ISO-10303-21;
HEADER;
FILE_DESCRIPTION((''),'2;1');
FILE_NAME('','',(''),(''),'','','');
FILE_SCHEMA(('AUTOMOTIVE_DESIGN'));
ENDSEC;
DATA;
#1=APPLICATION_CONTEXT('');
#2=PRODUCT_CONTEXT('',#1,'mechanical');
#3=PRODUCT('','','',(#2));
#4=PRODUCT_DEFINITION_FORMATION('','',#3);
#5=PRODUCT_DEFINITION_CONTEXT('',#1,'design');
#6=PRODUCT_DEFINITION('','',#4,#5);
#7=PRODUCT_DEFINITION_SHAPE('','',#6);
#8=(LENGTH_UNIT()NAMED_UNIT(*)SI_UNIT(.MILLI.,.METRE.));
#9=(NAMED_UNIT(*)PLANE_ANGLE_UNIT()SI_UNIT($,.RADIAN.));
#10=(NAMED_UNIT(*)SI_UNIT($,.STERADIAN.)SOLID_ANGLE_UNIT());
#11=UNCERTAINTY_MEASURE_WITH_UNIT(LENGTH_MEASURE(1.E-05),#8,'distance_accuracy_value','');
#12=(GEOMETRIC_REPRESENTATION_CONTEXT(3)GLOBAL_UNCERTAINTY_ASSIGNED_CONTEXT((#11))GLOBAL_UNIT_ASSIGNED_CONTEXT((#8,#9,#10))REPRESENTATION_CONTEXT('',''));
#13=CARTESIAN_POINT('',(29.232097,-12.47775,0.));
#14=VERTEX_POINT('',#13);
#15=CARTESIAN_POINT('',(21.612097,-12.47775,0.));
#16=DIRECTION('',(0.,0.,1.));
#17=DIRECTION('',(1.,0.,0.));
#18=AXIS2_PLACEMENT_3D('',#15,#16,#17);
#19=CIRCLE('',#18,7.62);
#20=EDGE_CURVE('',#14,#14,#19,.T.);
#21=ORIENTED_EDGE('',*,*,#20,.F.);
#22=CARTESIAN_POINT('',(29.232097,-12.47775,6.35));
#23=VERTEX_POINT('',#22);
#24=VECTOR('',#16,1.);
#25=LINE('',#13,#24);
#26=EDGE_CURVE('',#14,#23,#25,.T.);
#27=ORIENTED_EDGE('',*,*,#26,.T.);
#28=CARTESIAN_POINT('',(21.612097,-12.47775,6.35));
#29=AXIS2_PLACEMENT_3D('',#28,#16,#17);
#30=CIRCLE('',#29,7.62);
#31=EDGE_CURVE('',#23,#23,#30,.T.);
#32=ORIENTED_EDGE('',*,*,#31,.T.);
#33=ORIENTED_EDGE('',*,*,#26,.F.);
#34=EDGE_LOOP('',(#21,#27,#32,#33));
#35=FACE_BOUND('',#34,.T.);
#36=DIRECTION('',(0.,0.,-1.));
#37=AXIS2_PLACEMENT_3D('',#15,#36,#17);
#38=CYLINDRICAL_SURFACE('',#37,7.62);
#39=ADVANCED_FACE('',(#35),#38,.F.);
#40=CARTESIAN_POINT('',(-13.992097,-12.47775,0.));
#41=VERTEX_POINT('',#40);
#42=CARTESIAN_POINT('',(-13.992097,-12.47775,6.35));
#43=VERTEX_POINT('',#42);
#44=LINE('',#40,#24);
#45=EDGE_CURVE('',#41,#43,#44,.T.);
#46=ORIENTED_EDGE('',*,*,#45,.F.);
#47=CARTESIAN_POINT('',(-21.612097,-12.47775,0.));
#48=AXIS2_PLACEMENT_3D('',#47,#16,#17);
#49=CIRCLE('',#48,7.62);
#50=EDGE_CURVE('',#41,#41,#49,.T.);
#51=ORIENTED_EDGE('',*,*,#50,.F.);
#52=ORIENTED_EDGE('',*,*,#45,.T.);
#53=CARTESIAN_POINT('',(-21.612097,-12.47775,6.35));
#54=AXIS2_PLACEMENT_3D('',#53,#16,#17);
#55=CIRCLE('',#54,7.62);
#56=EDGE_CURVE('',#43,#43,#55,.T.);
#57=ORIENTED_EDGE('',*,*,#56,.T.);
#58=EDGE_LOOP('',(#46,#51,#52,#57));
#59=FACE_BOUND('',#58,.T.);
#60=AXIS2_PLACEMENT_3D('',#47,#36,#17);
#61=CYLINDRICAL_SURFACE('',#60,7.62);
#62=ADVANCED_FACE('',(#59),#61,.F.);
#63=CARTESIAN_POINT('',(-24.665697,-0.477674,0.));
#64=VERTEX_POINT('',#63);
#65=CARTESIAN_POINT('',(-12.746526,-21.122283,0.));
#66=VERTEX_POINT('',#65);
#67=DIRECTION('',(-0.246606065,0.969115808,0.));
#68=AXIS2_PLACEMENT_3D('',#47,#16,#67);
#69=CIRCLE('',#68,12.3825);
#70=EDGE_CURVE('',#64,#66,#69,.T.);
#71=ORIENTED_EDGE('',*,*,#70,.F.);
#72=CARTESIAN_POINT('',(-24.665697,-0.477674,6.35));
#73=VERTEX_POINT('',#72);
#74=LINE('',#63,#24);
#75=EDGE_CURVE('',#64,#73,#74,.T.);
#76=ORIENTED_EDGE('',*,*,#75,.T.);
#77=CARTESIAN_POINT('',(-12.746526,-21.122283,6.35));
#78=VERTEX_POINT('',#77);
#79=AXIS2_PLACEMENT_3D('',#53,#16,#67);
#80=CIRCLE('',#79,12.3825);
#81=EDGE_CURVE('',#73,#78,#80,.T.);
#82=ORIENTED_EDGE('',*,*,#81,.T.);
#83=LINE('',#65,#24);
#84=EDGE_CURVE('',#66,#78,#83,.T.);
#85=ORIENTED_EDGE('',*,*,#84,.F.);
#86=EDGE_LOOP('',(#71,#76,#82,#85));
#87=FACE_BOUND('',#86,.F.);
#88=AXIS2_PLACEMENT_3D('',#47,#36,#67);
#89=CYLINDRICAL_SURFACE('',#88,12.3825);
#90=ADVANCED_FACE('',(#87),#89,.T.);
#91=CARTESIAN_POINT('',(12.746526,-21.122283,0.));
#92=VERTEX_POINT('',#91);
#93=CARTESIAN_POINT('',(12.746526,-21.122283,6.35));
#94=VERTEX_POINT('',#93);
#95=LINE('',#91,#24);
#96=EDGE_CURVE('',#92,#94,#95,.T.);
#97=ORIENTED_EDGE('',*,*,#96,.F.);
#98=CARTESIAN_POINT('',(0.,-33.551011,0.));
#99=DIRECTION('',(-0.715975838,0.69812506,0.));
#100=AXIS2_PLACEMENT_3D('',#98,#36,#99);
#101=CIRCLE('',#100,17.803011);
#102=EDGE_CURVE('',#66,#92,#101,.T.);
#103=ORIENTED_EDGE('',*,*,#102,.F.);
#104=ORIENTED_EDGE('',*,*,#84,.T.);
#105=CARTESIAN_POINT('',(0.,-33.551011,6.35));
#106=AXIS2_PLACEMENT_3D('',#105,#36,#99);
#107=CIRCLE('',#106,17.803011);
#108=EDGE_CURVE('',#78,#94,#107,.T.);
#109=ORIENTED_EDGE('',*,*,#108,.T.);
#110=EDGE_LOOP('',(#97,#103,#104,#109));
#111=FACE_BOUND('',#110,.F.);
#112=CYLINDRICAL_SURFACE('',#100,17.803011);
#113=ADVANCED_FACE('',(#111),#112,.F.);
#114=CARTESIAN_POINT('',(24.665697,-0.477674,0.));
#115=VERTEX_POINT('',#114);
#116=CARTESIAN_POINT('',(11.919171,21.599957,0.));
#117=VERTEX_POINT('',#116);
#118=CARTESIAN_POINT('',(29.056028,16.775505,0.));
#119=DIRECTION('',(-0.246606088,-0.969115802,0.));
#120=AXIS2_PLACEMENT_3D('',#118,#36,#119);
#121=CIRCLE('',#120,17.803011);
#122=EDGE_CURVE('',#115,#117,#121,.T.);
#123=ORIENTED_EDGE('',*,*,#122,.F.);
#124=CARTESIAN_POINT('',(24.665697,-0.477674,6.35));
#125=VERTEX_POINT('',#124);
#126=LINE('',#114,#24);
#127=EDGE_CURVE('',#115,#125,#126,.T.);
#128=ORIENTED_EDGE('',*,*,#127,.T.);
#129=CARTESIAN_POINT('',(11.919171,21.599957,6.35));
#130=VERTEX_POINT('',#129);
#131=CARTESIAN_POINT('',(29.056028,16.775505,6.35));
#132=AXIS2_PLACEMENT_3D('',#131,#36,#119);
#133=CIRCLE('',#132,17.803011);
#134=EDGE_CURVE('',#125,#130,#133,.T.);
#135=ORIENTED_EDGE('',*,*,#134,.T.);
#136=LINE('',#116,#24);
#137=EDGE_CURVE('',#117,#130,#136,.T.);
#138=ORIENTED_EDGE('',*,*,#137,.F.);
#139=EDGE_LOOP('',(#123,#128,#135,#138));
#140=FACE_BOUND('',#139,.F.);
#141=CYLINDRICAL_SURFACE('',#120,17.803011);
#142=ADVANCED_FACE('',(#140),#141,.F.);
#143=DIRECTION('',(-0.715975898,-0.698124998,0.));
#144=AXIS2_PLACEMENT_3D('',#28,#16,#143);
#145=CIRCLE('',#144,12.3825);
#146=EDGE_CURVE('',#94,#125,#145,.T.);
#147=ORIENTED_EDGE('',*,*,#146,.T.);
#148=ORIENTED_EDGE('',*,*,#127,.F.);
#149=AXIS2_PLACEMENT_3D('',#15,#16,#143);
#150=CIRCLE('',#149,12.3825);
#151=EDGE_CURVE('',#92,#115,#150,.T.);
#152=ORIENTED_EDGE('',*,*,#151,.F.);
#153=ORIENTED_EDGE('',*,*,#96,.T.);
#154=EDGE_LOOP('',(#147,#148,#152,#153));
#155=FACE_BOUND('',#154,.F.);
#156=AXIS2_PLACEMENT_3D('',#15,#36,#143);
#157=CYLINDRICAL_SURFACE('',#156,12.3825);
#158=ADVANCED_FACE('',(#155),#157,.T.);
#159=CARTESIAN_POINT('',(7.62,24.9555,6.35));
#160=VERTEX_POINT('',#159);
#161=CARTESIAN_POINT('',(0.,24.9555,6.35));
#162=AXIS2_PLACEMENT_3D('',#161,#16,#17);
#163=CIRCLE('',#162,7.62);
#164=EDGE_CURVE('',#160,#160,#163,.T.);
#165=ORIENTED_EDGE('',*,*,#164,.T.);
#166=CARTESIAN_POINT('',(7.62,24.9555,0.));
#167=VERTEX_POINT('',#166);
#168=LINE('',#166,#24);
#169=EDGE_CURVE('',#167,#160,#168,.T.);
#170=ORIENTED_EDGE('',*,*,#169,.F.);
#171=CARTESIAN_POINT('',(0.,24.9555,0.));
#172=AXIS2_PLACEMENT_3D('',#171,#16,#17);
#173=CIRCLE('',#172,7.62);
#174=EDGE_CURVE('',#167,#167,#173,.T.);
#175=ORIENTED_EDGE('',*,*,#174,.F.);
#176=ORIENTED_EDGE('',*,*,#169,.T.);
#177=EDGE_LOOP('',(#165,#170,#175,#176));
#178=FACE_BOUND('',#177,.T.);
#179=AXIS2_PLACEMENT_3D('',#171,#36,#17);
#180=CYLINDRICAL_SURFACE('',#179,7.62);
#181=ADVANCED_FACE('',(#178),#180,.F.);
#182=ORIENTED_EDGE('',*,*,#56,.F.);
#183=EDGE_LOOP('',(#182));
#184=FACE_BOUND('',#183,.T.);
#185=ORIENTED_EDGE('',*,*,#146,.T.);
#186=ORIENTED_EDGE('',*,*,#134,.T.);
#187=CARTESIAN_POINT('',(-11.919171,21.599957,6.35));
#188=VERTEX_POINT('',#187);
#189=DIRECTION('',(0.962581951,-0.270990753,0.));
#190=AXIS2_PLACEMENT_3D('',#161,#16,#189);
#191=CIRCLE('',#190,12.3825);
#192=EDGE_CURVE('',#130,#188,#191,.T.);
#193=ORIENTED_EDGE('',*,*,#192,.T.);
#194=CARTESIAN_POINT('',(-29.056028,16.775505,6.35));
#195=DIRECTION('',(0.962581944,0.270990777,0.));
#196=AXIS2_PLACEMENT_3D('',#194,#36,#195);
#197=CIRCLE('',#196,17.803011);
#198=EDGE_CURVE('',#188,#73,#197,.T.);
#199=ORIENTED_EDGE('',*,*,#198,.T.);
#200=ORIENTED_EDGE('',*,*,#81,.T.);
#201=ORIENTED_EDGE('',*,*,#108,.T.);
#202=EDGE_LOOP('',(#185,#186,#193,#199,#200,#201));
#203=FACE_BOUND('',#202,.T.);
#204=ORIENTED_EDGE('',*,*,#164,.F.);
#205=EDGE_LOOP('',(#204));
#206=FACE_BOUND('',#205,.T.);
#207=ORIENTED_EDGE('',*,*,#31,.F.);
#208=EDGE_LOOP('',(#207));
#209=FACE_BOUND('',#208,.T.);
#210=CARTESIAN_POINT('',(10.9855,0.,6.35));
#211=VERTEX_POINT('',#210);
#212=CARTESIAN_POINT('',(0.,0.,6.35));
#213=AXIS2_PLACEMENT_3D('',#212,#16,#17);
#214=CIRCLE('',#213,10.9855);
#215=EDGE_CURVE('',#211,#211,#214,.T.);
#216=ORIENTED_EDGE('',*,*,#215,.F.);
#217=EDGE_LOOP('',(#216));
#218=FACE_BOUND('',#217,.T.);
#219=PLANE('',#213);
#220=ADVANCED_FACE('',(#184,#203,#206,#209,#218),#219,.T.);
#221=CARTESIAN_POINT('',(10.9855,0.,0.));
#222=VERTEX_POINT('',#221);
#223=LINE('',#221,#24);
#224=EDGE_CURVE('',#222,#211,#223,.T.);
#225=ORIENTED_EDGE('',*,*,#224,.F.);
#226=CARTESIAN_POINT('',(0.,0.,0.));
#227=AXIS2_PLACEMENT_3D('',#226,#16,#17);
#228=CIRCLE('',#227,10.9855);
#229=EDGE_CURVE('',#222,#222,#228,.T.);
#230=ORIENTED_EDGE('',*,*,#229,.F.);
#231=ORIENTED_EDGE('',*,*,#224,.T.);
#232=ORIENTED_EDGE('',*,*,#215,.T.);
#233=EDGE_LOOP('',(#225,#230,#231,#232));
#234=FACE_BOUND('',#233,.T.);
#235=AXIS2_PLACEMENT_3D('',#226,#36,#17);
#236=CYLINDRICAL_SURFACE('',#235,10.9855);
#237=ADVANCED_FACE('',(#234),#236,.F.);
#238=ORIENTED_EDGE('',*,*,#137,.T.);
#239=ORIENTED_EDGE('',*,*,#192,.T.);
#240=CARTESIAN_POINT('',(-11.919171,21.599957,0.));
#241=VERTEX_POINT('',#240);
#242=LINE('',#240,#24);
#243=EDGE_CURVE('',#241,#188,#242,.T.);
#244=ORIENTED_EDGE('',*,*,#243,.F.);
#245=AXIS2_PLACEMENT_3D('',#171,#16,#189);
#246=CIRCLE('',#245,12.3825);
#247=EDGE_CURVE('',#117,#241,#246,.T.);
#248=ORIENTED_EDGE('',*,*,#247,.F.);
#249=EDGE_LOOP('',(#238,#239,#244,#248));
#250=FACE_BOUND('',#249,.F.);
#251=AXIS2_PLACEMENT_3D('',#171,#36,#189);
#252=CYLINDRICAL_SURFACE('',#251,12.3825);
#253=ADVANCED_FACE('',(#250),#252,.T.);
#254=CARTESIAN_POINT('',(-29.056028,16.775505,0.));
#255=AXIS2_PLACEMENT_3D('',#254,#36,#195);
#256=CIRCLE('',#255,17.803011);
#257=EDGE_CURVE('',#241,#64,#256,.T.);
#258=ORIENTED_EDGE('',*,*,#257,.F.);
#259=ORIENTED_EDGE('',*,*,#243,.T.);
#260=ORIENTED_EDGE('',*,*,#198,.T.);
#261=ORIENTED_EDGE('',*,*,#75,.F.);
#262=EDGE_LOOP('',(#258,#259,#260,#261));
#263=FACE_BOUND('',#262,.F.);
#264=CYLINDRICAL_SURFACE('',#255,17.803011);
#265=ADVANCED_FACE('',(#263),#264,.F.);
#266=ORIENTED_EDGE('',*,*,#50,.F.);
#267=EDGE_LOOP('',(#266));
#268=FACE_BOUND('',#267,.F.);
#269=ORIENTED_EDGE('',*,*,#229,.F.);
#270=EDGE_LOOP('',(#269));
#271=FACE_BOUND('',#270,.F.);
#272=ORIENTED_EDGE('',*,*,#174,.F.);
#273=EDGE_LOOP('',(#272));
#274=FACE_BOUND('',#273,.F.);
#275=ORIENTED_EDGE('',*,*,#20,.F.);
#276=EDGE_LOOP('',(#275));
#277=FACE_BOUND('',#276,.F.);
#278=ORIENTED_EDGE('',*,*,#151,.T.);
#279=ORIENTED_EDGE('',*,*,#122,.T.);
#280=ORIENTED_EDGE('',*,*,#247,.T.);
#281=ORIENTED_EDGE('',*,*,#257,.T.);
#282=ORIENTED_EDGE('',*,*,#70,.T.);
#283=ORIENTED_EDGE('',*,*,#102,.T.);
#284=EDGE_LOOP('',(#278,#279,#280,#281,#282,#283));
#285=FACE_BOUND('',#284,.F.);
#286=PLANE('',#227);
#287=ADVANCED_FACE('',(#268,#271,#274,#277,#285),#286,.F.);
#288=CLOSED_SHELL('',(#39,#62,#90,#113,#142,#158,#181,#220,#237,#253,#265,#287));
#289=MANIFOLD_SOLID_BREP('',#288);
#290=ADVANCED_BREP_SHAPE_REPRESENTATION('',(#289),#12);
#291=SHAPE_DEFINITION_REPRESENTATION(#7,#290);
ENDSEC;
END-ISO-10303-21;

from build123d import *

# Parameters (mm, degrees)
F0_R     = 7.62
F0_R_2   = 10.9855
F1_DEPTH = 6.35


with BuildPart() as f1:
    # F0 (on Top) → F1 (new body)
    with BuildSketch(Plane.XY):
        with BuildLine():
            ThreePointArc((-12.746526, -21.122283), (0, -15.748), (12.746526, -21.122283))
            ThreePointArc((12.746526, -21.122283), (32.335657, -18.669), (24.665697, -0.477674))
            ThreePointArc((24.665697, -0.477674), (13.638168, 7.874), (11.919171, 21.599957))
            ThreePointArc((11.919171, 21.599957), (0, 37.338), (-11.919171, 21.599957))
            ThreePointArc((-11.919171, 21.599957), (-13.638168, 7.874), (-24.665697, -0.477674))
            ThreePointArc((-24.665697, -0.477674), (-32.335657, -18.669), (-12.746526, -21.122283))
        make_face()
        with Locations((-21.612097, -12.47775)):
            Circle(F0_R, mode=Mode.SUBTRACT)
        Circle(F0_R_2, mode=Mode.SUBTRACT)
        with Locations((21.612097, -12.47775)):
            Circle(F0_R, mode=Mode.SUBTRACT)
        with Locations((0, 24.9555)):
            Circle(F0_R, mode=Mode.SUBTRACT)
    extrude(amount=F1_DEPTH)


solid = f1.part
